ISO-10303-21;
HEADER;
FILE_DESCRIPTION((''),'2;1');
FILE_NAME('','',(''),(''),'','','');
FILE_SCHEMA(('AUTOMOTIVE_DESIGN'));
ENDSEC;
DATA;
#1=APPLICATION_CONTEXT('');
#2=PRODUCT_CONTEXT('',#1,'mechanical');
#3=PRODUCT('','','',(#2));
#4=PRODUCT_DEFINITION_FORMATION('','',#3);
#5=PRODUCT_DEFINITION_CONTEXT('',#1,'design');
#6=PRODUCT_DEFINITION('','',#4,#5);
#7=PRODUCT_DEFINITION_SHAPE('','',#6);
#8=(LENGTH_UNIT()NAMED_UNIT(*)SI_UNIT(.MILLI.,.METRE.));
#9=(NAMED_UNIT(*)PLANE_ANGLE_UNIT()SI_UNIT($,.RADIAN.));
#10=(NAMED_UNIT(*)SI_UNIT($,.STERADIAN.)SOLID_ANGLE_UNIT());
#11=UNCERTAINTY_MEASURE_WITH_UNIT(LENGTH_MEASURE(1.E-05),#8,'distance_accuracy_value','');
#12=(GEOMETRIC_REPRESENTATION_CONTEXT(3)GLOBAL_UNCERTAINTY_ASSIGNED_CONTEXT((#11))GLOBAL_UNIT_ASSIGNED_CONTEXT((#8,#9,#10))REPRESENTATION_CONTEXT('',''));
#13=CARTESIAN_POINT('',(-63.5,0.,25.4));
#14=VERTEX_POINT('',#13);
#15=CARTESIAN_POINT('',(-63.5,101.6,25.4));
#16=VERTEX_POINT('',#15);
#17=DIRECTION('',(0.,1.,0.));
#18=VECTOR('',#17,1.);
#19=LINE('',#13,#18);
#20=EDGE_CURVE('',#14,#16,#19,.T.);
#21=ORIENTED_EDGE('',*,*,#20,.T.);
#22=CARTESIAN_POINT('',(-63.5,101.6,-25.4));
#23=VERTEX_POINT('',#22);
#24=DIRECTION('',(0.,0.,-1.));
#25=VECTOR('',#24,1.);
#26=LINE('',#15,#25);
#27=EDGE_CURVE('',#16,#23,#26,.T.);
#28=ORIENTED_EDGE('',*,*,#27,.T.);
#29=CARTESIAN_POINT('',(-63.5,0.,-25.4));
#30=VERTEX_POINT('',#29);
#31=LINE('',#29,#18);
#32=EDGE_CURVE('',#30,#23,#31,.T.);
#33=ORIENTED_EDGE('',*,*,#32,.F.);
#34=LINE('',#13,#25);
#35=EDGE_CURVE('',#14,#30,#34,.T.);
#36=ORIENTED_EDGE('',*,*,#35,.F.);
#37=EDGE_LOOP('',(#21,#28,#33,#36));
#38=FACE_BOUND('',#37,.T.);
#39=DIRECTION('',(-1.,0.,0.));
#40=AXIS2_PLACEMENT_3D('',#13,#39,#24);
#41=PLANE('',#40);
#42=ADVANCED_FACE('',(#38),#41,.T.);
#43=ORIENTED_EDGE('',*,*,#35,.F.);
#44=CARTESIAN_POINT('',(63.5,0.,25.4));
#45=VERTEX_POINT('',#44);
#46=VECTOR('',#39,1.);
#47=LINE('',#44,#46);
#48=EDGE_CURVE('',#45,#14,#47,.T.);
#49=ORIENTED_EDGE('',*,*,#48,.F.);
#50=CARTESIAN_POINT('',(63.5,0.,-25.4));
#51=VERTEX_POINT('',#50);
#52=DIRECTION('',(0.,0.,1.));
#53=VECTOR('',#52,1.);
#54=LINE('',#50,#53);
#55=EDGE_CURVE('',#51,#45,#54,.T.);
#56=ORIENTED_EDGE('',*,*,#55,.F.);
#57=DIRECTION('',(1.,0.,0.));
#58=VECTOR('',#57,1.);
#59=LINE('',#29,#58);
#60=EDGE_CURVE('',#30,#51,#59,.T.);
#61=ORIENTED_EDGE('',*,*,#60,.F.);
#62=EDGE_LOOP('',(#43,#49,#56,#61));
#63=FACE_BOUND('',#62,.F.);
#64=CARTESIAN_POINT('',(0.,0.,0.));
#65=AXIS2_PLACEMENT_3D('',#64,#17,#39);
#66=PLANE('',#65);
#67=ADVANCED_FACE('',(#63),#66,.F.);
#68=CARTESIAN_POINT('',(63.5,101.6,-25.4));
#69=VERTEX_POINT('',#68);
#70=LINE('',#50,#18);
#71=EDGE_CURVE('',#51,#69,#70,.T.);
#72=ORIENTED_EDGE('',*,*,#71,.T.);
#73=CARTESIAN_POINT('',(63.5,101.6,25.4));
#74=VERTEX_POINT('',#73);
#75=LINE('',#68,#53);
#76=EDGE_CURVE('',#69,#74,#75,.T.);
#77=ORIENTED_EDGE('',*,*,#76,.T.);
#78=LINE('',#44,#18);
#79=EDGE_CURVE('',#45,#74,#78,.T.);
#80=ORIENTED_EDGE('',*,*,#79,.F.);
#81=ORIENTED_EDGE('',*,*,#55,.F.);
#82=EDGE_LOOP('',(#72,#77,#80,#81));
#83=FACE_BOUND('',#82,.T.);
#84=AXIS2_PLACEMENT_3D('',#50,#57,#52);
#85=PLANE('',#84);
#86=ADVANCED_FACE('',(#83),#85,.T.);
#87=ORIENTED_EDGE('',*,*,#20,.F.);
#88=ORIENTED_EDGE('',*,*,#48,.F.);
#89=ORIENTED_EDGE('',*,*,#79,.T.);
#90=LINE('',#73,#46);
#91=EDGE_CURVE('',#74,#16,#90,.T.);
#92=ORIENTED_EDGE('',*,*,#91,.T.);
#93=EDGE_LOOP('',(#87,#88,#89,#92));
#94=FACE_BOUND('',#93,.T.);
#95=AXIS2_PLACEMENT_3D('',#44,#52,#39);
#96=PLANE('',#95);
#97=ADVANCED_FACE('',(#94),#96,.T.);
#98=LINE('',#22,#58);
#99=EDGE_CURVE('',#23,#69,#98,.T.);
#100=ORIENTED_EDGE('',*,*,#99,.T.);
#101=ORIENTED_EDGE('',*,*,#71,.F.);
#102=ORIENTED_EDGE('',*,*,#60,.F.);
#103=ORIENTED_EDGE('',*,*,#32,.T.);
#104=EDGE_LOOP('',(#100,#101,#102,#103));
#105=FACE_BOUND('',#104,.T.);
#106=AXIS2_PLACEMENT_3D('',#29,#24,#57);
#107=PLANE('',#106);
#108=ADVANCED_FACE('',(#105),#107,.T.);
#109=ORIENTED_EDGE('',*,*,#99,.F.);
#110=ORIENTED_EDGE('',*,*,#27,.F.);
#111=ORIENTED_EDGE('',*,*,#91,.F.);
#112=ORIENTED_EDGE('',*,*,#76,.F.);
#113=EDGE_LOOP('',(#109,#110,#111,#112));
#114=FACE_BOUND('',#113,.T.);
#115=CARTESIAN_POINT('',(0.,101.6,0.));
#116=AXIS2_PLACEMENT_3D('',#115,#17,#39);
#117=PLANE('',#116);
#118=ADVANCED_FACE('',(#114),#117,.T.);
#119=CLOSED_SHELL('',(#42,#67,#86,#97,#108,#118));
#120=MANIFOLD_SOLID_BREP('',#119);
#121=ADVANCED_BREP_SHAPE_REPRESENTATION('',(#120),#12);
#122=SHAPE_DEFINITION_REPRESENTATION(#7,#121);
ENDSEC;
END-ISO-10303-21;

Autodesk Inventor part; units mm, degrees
ref_plane "YZ Plane" through (0, 0, 0) normal (1, 0, 0) x (0, 1, 0)
ref_plane "XZ Plane" through (0, 0, 0) normal (0, 1, 0) x (-1, 0, 0)
ref_plane "XY Plane" through (0, 0, 0) normal (0, 0, 1) x (1, 0, 0)
sketch "Sketch1" plane through (0, 0, 0) normal (0, 1, 0) x (-1, 0, 0)
  line L0 (-63.5, 25.4) -> (63.5, 25.4)
  line L1 (63.5, 25.4) -> (63.5, -25.4)
  line L2 (63.5, -25.4) -> (-63.5, -25.4)
  line L3 (-63.5, -25.4) -> (-63.5, 25.4)
  line L4 (-63.5, 25.4) -> (63.5, -25.4) construction
  line L5 (63.5, 25.4) -> (-63.5, -25.4) construction
  point P0 (0, 0)
  dimension "d0" = 50.8
  dimension "d1" = 127
extrude "Extrusion1" add sketch "Sketch1" along normal blind 101.6
properties part number "LineFilter"
